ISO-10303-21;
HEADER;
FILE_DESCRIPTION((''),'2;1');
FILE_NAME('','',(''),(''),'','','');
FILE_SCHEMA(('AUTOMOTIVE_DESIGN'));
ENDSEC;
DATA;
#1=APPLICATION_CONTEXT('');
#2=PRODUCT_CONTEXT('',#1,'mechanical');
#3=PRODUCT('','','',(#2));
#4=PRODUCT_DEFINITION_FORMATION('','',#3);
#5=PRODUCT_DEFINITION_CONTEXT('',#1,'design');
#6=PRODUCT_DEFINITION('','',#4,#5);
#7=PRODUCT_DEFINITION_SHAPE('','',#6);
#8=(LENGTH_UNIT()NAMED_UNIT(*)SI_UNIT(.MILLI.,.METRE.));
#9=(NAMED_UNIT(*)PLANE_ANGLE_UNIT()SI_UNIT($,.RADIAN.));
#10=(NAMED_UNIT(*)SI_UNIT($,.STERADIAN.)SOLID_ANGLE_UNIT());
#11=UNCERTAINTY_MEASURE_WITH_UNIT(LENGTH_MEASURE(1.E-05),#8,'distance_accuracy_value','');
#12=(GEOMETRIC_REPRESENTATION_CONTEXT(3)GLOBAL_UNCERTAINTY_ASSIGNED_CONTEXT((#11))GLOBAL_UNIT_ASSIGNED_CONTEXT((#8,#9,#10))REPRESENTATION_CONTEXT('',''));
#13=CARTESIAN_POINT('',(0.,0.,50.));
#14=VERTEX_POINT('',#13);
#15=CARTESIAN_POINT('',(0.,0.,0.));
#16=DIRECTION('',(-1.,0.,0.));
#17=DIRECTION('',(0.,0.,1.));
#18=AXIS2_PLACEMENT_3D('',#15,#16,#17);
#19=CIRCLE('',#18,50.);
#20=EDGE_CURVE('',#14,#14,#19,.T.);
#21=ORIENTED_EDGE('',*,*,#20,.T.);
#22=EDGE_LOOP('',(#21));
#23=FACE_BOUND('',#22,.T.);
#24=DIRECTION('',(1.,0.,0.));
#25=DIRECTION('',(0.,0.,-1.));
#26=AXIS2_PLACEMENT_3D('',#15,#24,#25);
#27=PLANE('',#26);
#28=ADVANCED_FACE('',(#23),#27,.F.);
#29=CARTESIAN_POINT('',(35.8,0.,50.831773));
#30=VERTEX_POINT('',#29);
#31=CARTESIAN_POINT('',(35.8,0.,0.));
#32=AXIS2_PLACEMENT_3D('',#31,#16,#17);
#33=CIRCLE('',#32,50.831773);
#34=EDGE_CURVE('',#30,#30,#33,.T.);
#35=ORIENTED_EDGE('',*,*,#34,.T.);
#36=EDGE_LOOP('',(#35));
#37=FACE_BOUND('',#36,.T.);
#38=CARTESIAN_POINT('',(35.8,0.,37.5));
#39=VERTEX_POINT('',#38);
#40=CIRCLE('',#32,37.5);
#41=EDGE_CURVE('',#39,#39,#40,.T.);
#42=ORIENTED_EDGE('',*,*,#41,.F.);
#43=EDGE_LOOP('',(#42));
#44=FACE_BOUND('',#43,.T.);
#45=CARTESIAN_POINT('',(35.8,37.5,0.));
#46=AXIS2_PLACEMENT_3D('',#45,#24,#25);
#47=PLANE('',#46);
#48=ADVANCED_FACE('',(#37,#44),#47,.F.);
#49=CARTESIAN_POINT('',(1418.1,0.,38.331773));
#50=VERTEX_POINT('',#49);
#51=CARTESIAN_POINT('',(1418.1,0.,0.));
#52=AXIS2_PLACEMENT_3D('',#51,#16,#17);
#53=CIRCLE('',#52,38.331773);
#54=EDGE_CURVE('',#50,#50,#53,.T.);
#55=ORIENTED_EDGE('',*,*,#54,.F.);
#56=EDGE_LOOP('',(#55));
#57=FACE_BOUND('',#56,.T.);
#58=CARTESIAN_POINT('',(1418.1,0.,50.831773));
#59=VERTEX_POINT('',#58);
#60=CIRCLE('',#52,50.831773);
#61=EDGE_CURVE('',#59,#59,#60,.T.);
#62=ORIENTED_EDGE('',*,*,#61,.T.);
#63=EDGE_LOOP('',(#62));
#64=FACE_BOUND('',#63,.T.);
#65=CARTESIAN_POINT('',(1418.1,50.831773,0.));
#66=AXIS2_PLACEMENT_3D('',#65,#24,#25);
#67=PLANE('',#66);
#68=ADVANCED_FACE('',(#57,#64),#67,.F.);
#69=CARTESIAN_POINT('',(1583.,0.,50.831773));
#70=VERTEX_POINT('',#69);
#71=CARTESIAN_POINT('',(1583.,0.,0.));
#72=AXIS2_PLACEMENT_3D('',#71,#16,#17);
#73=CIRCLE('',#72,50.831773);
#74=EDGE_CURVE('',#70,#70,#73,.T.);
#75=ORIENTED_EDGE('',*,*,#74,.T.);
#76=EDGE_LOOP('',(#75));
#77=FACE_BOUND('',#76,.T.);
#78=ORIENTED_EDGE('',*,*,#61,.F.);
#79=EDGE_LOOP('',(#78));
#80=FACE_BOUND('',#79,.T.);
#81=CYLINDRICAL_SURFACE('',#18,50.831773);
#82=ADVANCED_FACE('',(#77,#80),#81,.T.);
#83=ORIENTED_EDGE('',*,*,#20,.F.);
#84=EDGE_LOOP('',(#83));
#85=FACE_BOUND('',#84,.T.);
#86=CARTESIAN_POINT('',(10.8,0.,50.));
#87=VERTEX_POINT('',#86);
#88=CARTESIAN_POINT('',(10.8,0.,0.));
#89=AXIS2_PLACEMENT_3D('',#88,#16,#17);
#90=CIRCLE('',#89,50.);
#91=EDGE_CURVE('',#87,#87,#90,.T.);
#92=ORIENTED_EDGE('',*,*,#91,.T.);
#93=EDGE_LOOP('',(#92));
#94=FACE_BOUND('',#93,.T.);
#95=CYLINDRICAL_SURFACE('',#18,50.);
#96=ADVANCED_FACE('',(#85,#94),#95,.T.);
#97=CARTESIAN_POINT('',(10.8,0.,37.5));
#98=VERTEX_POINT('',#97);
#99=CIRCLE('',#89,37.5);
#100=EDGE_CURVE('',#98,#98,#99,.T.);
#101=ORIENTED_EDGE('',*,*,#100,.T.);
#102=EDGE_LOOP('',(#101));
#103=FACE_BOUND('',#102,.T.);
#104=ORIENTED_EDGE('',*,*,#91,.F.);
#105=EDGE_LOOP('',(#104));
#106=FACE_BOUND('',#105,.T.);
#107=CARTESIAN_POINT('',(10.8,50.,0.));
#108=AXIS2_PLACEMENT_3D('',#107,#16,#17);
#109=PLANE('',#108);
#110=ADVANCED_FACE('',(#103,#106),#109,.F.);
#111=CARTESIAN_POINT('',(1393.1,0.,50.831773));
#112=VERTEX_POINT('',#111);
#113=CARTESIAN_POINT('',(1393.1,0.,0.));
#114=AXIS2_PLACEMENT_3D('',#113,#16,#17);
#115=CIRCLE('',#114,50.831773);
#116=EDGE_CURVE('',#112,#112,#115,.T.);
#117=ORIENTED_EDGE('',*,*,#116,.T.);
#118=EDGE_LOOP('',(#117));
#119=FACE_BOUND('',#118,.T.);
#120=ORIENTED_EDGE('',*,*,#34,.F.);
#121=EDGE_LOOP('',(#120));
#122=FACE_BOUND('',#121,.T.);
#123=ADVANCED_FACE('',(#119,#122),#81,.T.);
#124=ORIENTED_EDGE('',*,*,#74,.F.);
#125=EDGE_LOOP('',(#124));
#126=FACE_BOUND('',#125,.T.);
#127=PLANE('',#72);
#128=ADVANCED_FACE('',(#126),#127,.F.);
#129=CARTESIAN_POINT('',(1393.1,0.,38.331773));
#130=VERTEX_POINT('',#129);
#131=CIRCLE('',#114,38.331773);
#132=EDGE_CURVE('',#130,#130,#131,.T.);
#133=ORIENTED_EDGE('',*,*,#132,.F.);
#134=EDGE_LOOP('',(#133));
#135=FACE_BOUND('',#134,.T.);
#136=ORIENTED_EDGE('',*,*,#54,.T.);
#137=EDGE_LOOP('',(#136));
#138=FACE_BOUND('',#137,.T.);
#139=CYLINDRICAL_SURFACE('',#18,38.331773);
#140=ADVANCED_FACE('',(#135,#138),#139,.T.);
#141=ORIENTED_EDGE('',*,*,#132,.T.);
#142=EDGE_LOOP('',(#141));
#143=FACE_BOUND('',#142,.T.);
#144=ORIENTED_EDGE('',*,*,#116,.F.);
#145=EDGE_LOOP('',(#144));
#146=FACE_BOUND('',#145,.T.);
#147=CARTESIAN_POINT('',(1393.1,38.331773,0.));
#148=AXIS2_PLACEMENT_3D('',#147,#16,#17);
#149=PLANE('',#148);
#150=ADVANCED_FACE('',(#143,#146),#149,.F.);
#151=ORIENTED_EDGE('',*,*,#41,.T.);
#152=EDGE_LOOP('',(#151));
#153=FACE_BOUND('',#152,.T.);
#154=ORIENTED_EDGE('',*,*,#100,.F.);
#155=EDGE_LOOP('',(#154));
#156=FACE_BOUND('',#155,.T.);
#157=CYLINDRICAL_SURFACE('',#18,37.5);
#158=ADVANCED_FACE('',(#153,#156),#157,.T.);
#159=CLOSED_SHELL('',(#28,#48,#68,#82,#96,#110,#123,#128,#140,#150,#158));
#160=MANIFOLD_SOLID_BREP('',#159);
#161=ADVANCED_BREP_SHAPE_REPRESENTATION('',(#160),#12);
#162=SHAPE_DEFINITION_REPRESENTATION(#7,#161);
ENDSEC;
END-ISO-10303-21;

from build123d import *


with BuildPart() as part:
    # Sketch1 → Revolve1 (revolve)
    with BuildSketch(Plane.XY, mode=Mode.PRIVATE) as revolve1_sk:
        Polygon((0, 0), (0, 50), (10.8, 50), (10.8, 37.5), (35.8, 37.5), (35.8, 50.831773459), (1393.1, 50.831773459), (1393.1, 38.331773459), (1418.1, 38.331773459), (1418.1, 50.831773459), (1583, 50.831773459), (1583, 0), align=None)
    revolve(revolve1_sk.sketch.rotate(Axis((0, 0, 0), (1, 0, 0)), 90), axis=Axis((0, 0, 0), (1, 0, 0)))


solid = part.part
